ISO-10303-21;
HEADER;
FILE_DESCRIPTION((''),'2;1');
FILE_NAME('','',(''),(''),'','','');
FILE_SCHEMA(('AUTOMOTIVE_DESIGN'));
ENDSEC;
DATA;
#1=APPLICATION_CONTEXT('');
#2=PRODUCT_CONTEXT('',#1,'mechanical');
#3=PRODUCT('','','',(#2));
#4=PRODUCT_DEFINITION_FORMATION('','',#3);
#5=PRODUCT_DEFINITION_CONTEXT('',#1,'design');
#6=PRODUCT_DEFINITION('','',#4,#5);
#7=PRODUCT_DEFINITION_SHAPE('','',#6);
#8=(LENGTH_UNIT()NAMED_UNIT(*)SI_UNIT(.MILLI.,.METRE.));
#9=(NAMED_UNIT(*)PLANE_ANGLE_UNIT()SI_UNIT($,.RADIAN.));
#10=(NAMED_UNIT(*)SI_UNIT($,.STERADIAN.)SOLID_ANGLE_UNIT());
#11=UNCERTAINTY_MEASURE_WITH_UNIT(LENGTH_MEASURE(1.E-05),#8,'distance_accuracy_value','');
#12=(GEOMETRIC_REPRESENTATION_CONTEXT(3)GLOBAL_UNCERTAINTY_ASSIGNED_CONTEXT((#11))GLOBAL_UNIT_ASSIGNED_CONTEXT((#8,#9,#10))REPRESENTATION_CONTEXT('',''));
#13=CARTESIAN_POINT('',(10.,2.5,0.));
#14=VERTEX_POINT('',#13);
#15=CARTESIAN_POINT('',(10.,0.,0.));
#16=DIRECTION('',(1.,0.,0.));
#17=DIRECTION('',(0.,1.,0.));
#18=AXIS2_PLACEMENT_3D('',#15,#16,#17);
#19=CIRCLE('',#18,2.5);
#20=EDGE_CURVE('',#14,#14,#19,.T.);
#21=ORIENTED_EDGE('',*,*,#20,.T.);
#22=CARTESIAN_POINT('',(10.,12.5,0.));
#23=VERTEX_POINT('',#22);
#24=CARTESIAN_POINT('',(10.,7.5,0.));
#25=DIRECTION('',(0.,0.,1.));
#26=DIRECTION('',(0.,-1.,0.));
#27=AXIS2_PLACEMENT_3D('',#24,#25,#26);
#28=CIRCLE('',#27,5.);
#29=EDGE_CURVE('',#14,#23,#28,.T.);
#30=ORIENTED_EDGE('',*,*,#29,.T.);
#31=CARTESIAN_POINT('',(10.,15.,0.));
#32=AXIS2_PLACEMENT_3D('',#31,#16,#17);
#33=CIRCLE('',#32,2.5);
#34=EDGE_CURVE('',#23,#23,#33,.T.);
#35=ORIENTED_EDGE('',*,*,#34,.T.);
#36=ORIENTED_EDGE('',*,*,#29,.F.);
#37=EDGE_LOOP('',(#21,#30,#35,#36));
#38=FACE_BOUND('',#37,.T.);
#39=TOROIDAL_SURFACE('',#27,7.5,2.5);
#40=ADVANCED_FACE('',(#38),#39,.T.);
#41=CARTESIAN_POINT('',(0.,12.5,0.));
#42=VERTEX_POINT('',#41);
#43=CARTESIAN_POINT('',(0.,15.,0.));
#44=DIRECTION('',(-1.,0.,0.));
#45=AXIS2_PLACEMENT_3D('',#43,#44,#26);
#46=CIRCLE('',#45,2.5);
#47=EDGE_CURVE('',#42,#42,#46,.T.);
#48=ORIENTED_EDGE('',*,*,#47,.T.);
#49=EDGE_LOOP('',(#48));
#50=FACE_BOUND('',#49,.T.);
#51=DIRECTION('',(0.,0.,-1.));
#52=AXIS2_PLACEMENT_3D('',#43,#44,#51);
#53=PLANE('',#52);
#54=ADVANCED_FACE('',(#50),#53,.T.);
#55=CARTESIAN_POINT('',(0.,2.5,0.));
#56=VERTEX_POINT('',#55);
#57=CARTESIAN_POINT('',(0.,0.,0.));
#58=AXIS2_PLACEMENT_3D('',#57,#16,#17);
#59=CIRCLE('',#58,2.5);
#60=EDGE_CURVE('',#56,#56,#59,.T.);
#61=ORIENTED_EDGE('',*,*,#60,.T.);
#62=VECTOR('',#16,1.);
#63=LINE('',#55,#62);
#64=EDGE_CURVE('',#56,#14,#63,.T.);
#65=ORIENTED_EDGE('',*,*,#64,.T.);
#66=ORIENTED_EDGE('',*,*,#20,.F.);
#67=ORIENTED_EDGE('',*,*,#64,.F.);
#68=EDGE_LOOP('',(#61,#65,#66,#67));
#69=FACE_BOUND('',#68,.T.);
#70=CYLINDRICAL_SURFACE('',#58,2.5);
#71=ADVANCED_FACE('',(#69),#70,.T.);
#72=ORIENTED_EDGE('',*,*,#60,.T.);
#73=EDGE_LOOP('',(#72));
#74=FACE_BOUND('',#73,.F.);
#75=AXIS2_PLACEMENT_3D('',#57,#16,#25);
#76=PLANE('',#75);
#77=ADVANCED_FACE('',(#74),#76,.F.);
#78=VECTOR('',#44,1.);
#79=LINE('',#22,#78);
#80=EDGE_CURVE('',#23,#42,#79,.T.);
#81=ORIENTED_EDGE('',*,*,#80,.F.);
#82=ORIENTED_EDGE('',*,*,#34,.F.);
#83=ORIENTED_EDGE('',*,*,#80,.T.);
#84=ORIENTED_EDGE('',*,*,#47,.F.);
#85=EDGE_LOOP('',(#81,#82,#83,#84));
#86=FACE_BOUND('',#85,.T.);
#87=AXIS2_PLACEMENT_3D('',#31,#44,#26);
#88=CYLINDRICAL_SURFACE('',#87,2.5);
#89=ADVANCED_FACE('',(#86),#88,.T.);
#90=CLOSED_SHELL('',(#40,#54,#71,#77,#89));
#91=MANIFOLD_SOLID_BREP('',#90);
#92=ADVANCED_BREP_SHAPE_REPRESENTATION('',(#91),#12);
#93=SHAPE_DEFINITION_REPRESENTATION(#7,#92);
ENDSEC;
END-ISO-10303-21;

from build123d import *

# Parameters (mm, degrees)
F1_R = 2.5


with BuildPart() as f2:
    # F2: sweep along a path in F0
    with BuildLine(Plane.XY) as f2_path:
        Line((0, 0), (10, 0))
        ThreePointArc((10, 0), (17.5, 7.5), (10, 15))
        Line((10, 15), (0, 15))
    # F1 (on Right) → F2 (sweep)
    with BuildSketch(Plane.YZ):
        Circle(F1_R)
    sweep(path=f2_path.line)


solid = f2.part
